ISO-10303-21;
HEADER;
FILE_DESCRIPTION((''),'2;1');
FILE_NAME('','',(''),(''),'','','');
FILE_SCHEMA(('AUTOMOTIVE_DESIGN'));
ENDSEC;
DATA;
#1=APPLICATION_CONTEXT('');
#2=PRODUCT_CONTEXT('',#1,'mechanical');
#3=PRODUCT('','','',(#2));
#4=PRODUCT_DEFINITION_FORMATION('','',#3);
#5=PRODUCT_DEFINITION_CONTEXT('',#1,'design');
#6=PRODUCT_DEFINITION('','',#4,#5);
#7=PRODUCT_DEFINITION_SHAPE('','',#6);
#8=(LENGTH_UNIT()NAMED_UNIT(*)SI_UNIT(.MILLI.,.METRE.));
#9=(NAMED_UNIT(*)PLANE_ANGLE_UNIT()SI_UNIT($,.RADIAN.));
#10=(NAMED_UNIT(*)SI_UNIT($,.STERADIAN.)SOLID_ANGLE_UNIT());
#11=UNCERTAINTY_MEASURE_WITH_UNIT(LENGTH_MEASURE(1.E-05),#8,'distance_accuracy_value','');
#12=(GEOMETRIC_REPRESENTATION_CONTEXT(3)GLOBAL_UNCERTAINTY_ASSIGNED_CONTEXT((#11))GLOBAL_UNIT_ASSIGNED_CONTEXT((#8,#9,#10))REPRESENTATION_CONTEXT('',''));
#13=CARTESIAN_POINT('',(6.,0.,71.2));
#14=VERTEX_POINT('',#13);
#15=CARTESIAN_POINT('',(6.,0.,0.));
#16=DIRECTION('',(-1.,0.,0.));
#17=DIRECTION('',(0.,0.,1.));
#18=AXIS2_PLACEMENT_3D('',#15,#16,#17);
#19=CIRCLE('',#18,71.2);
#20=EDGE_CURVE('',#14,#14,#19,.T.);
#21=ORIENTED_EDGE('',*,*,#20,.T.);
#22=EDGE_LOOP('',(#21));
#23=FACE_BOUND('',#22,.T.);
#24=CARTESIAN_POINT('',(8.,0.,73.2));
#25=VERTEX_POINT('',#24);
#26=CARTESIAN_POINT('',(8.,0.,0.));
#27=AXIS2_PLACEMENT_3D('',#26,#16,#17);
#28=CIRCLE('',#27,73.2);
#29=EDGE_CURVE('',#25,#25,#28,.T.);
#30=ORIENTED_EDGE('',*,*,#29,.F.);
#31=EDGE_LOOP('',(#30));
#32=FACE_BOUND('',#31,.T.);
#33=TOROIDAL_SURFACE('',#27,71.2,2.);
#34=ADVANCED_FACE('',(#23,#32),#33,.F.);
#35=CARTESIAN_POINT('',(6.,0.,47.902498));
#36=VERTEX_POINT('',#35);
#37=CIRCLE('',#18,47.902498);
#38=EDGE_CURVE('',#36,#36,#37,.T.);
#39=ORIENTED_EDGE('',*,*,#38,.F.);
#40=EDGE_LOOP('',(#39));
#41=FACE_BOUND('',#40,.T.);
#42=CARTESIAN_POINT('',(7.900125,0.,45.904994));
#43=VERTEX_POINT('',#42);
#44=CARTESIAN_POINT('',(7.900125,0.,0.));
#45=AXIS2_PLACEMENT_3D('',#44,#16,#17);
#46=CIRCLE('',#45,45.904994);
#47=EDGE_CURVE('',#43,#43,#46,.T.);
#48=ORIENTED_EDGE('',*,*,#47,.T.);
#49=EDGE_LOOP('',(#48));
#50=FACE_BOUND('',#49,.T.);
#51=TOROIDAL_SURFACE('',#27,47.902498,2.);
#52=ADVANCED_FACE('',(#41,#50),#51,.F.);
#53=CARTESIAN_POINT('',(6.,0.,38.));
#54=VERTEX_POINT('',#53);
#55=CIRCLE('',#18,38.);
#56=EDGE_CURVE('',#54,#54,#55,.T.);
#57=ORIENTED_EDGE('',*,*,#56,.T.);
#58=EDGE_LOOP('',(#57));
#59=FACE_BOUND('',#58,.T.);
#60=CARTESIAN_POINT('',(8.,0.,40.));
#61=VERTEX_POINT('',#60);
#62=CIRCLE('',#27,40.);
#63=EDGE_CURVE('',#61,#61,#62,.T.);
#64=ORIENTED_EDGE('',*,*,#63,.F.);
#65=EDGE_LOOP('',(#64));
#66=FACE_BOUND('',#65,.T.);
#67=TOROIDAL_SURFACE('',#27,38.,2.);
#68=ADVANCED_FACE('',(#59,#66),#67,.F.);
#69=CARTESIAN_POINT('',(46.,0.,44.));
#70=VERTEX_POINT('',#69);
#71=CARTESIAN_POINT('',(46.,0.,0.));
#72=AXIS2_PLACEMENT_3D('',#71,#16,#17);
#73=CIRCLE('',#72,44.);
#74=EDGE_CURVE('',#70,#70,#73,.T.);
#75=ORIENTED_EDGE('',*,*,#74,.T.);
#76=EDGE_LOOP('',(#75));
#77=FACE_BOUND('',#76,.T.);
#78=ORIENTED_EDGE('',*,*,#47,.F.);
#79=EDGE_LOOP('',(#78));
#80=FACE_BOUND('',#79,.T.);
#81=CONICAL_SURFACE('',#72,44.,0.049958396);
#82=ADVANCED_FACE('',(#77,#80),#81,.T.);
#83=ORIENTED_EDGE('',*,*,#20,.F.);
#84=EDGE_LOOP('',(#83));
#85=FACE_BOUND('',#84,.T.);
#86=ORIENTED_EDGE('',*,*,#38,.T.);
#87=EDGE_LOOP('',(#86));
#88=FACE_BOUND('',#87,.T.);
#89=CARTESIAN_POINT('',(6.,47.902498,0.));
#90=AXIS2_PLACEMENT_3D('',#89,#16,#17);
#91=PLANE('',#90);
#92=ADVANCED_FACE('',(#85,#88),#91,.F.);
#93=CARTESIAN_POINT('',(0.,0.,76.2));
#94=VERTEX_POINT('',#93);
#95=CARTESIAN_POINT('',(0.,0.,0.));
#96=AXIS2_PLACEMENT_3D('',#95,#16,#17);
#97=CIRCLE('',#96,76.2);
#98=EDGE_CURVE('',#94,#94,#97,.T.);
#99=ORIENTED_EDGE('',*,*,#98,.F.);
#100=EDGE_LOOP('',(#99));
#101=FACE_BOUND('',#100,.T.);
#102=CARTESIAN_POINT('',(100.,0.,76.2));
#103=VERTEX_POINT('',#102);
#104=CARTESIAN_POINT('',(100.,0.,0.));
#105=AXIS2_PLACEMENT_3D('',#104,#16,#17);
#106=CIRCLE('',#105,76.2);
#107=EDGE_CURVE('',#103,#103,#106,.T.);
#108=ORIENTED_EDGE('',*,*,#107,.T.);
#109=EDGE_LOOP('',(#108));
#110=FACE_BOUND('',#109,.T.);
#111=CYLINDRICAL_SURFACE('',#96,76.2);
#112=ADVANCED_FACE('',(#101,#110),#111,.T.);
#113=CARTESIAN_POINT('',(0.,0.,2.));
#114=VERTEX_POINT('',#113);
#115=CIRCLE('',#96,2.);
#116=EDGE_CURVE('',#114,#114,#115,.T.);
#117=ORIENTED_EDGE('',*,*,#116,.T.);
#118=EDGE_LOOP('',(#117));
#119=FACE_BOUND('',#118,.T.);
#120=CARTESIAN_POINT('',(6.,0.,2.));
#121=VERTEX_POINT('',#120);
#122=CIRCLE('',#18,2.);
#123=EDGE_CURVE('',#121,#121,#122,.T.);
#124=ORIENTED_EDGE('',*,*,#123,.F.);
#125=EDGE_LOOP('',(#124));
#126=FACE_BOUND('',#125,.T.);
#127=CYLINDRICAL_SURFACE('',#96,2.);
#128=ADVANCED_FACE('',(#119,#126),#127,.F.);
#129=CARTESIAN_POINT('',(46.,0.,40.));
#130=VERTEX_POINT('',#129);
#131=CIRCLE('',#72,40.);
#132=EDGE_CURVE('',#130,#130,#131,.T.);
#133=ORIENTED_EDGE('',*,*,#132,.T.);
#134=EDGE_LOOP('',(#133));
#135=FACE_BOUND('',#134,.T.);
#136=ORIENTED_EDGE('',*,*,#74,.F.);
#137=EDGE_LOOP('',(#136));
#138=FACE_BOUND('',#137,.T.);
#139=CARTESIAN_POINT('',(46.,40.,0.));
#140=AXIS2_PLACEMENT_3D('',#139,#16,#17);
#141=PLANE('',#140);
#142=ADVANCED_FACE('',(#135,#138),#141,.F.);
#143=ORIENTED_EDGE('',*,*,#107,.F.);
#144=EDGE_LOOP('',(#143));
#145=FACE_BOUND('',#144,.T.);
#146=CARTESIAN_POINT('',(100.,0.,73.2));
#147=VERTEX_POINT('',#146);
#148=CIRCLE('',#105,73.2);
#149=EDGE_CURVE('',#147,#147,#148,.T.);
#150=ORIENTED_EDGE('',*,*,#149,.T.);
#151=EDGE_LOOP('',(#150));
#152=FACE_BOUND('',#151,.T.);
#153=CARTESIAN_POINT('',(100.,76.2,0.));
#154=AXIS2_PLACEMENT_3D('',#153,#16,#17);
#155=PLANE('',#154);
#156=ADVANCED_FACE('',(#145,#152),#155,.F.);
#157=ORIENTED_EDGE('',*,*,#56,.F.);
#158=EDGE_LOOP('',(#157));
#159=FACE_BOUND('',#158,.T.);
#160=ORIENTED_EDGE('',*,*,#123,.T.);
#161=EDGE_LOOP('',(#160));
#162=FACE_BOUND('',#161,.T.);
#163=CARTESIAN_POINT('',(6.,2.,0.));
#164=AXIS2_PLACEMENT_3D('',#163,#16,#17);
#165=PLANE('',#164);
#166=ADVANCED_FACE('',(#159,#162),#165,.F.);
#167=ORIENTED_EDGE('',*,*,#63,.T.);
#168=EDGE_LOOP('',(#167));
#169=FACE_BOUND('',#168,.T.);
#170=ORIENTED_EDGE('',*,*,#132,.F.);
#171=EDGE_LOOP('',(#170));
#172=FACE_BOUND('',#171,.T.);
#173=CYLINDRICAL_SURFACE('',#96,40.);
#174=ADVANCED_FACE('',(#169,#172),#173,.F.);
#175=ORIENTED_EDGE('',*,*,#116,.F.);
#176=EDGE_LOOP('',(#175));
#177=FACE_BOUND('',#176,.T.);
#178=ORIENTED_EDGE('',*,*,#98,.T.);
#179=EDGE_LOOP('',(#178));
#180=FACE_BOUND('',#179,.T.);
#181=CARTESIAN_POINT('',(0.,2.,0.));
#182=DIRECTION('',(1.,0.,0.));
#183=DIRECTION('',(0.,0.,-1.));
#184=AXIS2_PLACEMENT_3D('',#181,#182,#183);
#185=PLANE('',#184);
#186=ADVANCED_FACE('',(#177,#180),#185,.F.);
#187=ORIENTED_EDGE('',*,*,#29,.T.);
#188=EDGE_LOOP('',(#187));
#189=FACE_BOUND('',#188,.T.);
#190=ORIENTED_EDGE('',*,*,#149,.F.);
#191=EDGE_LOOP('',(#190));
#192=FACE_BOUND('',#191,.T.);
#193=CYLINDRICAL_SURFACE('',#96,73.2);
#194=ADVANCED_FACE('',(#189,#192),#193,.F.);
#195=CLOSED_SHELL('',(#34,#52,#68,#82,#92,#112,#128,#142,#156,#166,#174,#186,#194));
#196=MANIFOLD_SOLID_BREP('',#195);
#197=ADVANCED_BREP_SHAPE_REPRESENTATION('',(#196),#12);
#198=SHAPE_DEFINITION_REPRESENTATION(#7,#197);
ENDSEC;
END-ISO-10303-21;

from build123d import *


with BuildPart() as part:
    # Sketch2 → Revolve1 (revolve)
    with BuildSketch(Plane.XY, mode=Mode.PRIVATE) as revolve1_sk:
        with BuildLine():
            Line((7.900124766, 45.904993762), (46, 44))
            Line((46, 44), (46, 40))
            Line((46, 40), (8, 40))
            ThreePointArc((8, 40), (6.585786438, 39.414213562), (6, 38))
            Line((6, 38), (6, 2))
            Line((6, 2), (0, 2))
            Line((0, 2), (0, 76.2))
            Line((0, 76.2), (6.299212598, 76.2))
            Line((6.299212598, 76.2), (100, 76.2))
            Line((100, 76.2), (100, 73.2))
            Line((100, 73.2), (8, 73.2))
            ThreePointArc((8, 73.2), (6.585786438, 72.614213562), (6, 71.2))
            Line((6, 71.2), (6, 47.902498439))
            ThreePointArc((6, 47.902498439), (6.550905374, 46.524048308), (7.900124766, 45.904993762))
        make_face()
    revolve(revolve1_sk.sketch.rotate(Axis((0, 0, 0), (1, 0, 0)), 90), axis=Axis((0, 0, 0), (1, 0, 0)))


solid = part.part
